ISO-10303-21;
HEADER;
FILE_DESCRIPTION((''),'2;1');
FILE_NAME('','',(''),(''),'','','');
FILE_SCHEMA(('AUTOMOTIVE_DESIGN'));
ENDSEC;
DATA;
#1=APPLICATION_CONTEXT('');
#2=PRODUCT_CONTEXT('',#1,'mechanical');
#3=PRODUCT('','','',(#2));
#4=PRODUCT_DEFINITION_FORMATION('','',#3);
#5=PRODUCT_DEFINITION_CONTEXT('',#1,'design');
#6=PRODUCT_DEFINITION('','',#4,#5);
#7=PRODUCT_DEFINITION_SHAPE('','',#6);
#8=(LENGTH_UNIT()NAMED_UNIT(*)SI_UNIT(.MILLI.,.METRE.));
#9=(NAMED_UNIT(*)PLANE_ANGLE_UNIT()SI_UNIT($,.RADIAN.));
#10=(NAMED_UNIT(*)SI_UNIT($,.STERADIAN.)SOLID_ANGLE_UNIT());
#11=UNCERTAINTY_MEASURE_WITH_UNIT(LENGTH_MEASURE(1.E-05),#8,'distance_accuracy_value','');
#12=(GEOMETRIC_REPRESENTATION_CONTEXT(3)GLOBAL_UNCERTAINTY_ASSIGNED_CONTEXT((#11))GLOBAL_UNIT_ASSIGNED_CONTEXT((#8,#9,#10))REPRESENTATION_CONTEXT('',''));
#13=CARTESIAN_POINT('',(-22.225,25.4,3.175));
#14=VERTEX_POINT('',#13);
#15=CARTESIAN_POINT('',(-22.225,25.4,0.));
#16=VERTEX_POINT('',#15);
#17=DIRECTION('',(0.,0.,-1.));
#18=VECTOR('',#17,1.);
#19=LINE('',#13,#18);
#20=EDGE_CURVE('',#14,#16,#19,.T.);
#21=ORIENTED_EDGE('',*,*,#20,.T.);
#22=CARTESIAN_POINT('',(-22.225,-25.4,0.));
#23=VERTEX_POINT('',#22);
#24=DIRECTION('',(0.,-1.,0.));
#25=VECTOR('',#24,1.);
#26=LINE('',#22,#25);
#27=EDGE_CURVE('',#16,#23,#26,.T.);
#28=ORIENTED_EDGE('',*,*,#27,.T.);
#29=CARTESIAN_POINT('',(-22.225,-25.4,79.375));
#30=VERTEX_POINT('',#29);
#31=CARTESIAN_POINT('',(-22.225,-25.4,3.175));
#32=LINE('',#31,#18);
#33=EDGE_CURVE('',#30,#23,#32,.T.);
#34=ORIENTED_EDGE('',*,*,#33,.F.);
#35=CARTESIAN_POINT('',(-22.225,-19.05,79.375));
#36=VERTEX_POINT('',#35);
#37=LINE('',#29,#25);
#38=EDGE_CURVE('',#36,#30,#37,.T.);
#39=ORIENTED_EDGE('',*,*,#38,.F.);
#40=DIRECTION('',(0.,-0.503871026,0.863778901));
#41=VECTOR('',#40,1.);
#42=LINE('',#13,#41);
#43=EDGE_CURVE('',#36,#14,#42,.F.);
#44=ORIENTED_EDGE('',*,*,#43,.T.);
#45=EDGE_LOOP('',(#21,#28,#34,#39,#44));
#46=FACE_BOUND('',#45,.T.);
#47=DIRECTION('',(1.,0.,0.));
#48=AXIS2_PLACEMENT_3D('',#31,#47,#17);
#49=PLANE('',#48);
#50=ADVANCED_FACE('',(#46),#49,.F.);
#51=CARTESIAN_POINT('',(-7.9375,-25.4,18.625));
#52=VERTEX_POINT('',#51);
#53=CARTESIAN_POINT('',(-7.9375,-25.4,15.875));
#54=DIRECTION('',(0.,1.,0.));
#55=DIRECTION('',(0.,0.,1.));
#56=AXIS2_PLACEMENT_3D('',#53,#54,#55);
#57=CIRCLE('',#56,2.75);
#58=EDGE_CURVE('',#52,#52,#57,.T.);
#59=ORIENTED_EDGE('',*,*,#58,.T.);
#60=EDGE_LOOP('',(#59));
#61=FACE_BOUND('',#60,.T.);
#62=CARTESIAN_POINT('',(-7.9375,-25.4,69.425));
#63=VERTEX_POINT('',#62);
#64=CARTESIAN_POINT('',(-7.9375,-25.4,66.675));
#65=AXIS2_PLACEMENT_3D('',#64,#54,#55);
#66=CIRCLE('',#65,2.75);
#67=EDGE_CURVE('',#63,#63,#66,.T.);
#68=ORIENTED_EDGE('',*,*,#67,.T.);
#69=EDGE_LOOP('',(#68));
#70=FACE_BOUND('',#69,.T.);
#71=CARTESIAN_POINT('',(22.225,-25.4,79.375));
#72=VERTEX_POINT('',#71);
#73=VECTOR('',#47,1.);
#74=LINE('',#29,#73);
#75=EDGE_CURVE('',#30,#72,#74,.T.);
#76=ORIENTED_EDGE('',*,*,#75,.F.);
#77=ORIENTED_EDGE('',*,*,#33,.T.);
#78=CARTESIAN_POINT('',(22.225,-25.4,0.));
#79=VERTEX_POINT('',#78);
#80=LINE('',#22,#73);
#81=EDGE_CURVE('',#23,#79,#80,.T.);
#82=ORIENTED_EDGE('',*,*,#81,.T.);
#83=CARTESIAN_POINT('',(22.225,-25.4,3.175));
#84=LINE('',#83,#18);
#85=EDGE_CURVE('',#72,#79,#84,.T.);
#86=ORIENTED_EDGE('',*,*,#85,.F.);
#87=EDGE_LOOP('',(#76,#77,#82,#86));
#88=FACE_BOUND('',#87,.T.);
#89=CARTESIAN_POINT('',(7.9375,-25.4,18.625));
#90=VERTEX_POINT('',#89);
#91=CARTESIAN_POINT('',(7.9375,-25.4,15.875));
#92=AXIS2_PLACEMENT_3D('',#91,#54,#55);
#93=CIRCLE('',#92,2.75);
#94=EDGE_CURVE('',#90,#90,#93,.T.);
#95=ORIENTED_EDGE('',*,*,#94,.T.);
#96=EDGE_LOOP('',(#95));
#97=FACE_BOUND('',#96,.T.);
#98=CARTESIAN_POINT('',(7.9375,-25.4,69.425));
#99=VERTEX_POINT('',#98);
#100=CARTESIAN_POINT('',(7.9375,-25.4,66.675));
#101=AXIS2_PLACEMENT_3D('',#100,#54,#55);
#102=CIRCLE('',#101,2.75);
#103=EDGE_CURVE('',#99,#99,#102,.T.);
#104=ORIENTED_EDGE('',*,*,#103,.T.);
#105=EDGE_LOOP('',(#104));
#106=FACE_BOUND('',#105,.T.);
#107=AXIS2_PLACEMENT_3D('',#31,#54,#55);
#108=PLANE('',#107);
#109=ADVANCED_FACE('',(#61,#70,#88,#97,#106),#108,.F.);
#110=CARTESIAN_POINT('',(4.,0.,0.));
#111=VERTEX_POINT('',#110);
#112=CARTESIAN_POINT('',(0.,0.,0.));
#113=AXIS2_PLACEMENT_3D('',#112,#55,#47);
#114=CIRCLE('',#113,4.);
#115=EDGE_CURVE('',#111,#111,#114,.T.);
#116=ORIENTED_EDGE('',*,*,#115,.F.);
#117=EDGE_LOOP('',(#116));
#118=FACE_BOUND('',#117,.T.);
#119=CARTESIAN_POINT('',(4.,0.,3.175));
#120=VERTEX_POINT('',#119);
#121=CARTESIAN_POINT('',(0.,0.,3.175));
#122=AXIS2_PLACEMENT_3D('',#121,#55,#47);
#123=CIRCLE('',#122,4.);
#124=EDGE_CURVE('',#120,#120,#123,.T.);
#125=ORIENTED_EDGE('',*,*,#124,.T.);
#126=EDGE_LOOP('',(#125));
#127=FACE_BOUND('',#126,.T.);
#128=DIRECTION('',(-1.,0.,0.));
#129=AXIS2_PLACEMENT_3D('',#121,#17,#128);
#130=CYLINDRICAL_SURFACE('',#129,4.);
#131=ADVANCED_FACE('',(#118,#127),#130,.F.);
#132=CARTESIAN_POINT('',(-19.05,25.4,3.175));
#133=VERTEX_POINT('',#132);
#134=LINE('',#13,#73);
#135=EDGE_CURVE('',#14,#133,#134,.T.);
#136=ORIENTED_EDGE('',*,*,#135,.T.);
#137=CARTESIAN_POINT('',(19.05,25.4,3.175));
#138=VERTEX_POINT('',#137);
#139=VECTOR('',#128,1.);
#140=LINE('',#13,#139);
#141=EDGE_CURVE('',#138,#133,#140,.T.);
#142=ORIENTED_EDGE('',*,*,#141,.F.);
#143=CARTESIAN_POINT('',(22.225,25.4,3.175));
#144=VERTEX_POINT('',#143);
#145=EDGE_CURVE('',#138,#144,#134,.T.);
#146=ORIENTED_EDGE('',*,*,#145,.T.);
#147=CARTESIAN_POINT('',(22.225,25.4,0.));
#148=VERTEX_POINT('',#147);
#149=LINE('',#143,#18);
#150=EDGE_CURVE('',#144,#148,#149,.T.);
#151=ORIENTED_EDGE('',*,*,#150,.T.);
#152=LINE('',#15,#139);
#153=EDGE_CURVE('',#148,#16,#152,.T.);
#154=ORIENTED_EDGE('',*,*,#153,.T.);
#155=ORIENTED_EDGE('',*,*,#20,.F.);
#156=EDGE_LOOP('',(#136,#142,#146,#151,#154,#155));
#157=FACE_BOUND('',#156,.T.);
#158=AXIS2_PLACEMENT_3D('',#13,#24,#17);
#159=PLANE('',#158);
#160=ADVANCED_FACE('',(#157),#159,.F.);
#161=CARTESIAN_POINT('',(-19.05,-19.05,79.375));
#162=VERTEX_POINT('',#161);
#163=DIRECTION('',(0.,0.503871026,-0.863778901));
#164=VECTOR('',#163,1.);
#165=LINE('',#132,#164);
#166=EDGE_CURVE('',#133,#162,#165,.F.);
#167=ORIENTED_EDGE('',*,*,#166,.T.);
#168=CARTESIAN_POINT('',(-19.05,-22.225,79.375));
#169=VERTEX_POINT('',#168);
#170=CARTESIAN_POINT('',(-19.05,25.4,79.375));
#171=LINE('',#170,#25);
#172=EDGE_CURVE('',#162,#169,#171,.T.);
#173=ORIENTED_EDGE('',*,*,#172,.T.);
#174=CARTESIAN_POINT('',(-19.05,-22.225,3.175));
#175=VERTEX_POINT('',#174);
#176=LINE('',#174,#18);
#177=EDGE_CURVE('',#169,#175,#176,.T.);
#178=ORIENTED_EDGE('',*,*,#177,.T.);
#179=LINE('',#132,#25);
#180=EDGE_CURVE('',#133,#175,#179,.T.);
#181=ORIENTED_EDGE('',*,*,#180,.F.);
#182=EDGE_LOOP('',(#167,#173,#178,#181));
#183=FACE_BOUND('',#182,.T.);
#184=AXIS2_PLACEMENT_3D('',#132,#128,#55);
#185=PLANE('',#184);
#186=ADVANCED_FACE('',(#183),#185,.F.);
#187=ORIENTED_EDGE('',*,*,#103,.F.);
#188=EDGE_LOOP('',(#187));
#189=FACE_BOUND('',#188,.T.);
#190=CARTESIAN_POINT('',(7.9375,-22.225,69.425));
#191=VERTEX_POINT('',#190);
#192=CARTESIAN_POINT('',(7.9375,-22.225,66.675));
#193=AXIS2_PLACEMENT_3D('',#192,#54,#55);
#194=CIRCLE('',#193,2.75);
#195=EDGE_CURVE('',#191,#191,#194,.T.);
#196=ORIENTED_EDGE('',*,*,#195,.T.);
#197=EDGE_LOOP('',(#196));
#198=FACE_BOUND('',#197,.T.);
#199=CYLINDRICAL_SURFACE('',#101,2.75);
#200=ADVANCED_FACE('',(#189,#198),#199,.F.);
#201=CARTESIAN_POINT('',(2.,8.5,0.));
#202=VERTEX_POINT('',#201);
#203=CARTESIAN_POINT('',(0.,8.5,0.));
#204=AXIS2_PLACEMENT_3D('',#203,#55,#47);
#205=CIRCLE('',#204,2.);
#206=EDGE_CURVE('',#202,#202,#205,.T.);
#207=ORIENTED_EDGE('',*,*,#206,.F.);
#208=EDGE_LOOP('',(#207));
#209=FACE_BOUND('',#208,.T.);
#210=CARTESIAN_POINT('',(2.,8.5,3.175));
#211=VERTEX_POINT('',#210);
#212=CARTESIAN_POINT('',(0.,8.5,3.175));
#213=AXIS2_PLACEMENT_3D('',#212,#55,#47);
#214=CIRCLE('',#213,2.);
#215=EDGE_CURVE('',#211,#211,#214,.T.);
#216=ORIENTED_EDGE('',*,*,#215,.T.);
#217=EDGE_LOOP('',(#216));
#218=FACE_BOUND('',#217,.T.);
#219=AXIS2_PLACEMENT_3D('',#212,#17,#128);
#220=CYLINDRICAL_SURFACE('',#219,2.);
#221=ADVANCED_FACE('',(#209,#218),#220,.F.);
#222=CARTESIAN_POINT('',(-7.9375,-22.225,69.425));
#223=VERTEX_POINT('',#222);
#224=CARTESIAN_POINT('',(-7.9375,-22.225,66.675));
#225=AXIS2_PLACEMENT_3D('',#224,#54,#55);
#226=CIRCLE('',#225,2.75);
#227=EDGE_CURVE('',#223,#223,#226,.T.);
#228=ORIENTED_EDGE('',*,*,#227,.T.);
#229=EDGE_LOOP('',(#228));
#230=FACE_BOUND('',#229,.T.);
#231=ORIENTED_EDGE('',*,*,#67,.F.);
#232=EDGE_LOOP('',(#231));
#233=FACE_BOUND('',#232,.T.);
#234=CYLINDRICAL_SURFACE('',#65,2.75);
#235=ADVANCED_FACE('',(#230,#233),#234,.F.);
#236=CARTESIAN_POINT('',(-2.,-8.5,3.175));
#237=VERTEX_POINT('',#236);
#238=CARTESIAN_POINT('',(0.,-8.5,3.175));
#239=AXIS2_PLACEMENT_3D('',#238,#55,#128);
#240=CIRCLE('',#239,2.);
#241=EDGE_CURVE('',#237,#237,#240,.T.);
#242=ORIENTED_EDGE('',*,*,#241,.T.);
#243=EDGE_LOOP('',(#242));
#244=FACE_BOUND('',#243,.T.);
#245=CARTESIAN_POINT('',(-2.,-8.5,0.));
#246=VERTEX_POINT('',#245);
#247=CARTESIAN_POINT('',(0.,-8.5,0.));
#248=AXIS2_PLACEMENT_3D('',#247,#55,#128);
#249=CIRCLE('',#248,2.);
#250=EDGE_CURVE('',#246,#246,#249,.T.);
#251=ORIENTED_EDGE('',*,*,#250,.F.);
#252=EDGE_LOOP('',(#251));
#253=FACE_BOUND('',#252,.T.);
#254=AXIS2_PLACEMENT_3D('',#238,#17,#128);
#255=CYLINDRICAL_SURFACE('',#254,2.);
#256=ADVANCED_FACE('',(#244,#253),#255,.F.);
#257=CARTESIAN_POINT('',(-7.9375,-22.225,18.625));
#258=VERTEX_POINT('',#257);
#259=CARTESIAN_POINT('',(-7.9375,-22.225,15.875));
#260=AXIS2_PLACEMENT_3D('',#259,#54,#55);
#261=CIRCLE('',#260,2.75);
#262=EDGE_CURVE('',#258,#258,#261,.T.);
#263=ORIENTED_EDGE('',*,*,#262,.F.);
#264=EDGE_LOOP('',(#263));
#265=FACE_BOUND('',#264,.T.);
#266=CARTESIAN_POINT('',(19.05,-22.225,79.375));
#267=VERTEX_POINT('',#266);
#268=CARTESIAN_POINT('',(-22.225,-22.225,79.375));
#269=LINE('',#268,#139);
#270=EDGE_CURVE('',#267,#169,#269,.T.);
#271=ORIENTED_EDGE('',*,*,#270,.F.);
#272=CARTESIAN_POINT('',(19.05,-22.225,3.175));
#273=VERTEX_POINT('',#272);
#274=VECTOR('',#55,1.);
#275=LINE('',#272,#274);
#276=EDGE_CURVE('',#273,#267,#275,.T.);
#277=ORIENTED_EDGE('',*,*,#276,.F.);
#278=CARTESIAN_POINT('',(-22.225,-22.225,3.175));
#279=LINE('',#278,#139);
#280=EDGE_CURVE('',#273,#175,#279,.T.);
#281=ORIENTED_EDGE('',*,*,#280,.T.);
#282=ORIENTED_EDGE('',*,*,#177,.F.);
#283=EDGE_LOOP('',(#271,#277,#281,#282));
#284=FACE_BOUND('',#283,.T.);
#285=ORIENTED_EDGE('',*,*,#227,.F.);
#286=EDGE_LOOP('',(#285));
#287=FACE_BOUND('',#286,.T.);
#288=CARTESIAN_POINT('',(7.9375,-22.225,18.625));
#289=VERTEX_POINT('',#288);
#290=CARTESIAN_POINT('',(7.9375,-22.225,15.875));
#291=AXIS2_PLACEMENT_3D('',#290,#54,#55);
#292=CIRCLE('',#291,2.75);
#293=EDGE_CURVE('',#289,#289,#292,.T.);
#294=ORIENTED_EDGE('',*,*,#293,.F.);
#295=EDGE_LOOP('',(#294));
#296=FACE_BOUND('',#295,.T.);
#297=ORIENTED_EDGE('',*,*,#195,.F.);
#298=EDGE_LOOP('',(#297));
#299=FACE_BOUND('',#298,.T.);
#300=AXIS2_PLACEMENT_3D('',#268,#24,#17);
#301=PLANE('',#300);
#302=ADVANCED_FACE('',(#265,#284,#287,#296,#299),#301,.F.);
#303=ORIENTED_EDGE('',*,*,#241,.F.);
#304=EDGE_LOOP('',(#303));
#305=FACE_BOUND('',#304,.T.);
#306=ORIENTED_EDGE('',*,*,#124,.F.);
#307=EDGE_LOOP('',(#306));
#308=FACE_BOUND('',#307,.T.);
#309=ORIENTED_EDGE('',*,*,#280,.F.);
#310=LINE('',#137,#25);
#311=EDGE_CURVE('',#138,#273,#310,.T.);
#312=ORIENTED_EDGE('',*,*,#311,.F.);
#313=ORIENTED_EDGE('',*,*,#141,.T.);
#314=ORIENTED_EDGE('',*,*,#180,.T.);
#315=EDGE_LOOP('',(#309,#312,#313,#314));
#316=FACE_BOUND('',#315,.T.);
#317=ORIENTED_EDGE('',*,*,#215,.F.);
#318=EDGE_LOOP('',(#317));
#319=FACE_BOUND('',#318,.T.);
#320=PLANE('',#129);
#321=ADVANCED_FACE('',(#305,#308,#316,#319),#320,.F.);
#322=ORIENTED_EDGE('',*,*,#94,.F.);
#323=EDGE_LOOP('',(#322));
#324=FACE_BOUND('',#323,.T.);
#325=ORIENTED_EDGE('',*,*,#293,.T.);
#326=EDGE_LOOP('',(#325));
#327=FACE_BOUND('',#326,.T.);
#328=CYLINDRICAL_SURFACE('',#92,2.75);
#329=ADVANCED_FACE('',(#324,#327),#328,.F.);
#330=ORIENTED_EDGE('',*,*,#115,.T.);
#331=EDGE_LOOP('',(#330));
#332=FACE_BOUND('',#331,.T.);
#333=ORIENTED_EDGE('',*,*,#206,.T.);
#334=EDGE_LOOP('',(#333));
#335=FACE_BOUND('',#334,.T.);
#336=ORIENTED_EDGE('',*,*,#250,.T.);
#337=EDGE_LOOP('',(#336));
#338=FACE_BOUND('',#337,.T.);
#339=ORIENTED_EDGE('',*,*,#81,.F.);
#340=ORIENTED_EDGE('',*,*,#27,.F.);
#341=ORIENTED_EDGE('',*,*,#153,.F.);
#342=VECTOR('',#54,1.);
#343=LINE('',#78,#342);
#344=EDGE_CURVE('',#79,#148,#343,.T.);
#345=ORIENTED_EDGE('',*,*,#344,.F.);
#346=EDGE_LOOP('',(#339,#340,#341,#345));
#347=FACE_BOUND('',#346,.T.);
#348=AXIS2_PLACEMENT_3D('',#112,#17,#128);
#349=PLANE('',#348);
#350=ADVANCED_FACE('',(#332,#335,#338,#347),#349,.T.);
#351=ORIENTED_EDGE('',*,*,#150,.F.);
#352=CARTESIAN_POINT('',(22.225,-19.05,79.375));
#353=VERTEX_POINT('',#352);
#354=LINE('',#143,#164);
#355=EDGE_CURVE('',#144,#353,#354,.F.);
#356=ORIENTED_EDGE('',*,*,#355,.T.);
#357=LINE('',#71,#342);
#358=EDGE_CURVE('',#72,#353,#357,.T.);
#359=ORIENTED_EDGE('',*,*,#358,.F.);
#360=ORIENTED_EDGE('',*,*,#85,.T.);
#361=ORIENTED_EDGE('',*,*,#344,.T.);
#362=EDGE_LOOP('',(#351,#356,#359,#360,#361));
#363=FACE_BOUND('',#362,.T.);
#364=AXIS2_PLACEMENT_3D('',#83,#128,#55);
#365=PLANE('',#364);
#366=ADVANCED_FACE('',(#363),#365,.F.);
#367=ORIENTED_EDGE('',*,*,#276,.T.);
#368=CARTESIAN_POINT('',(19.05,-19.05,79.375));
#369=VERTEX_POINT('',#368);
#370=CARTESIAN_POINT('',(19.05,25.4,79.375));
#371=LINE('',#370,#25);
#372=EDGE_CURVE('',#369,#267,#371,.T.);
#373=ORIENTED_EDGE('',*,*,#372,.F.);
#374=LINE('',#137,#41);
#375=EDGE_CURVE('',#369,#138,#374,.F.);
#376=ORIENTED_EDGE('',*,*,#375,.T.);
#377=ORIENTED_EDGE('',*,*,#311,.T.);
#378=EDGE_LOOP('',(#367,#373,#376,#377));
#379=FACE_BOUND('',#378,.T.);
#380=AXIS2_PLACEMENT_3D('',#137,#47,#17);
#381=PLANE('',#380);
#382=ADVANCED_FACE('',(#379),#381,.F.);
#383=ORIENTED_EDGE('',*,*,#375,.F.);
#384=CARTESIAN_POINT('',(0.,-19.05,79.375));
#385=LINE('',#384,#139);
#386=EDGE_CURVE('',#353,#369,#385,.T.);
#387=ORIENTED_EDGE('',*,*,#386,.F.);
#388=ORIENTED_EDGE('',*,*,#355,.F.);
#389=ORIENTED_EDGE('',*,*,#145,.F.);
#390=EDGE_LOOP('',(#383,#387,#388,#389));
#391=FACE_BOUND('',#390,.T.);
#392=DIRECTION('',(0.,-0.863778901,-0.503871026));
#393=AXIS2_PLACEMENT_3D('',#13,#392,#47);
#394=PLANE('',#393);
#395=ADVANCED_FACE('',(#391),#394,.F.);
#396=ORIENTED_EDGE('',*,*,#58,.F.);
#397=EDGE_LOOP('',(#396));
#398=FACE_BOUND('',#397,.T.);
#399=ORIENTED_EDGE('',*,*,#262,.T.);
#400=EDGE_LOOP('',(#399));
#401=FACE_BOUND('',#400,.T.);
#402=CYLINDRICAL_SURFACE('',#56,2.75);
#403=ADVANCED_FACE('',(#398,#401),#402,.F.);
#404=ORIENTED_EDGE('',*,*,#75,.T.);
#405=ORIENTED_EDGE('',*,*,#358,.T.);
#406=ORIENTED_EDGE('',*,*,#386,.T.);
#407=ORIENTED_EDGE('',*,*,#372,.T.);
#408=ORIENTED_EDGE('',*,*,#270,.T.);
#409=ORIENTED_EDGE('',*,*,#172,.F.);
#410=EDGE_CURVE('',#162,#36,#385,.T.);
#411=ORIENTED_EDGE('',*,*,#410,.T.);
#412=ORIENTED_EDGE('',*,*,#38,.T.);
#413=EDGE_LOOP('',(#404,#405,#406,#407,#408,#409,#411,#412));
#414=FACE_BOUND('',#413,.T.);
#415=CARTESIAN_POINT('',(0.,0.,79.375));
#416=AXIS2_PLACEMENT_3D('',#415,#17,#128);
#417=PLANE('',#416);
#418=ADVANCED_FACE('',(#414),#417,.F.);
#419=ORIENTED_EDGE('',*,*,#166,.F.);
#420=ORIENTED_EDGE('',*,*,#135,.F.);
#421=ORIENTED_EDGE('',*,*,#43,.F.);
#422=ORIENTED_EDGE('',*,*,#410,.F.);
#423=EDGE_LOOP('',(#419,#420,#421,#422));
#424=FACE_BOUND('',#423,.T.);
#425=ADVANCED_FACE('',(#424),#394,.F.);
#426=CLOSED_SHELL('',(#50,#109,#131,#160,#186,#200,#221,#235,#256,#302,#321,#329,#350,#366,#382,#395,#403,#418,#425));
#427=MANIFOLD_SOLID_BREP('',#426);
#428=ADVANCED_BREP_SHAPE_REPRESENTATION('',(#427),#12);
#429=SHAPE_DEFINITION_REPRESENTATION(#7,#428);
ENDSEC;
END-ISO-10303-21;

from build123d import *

# Parameters (mm, degrees)
SKETCH1_W           = 44.45
SKETCH1_H           = 50.8
SKETCH1_R           = 2
SKETCH1_R_2         = 4
BOSS_EXTRUDE1_DEPTH = 3.175
SKETCH3_W           = 44.45
SKETCH3_H           = 3.175
BOSS_EXTRUDE2_DEPTH = 76.2
SKETCH6_W           = 3.175
SKETCH6_H           = 76.2
BOSS_EXTRUDE3_DEPTH = 47.625
CHAMFER1_SIZE       = 44.45
CHAMFER1_SIZE2      = 76.2
SKETCH8_R           = 2.75
CUT_EXTRUDE1_DEPTH  = 96.197068626


with BuildPart() as part:
    # Sketch1 → Boss-Extrude1 (new body)
    with BuildSketch(Plane.XY):
        Rectangle(SKETCH1_W, SKETCH1_H)
        with Locations((0, 8.5)):
            Circle(SKETCH1_R, mode=Mode.SUBTRACT)
        with Locations(Location((0, -8.5, 0), (0, 0, 180))):
            Circle(SKETCH1_R, mode=Mode.SUBTRACT)
        Circle(SKETCH1_R_2, mode=Mode.SUBTRACT)
    extrude(amount=BOSS_EXTRUDE1_DEPTH)

    # Sketch3 → Boss-Extrude2 (add)
    with BuildSketch(Plane.XY.offset(3.175)):
        with Locations((0, -23.8125)):
            Rectangle(SKETCH3_W, SKETCH3_H)
    extrude(amount=BOSS_EXTRUDE2_DEPTH)

    # Sketch6 → Boss-Extrude3 (add)
    with BuildSketch(Plane(origin=(0, -22.225, 0), x_dir=(1, 0, 0), z_dir=(0, 1, 0))):
        with Locations((20.6375, -41.275)):
            Rectangle(SKETCH6_W, SKETCH6_H)
        with Locations((-20.6375, -41.275)):
            Rectangle(SKETCH6_W, SKETCH6_H)
    extrude(amount=BOSS_EXTRUDE3_DEPTH)

    # Chamfer1
    chamfer1_edges = [part.edges().sort_by_distance(p)[0] for p in [
        (-20.6375, 25.4, 79.375),
        (20.6375, 25.4, 79.375),
    ]]
    chamfer1_side = [part.faces().sort_by_distance(p)[0] for p in [
        (0, -24.724985741, 79.375),
    ]]
    chamfer(chamfer1_edges, length=CHAMFER1_SIZE, length2=CHAMFER1_SIZE2, reference=chamfer1_side[0])

    # Sketch8 → Cut-Extrude1 (cut, through all)
    with BuildSketch(Plane(origin=(0, -22.225, 0), x_dir=(1, 0, 0), z_dir=(0, 1, 0))):
        with Locations(Location((-7.9375, -15.875, 0), (0, 0, 270))):
            Circle(SKETCH8_R)
        with Locations(Location((7.9375, -15.875, 0), (0, 0, 270))):
            Circle(SKETCH8_R)
        with Locations(Location((7.9375, -66.675, 0), (0, 0, 270))):
            Circle(SKETCH8_R)
        with Locations(Location((-7.9375, -66.675, 0), (0, 0, 270))):
            Circle(SKETCH8_R)
    extrude(amount=-CUT_EXTRUDE1_DEPTH, mode=Mode.SUBTRACT)


solid = part.part
